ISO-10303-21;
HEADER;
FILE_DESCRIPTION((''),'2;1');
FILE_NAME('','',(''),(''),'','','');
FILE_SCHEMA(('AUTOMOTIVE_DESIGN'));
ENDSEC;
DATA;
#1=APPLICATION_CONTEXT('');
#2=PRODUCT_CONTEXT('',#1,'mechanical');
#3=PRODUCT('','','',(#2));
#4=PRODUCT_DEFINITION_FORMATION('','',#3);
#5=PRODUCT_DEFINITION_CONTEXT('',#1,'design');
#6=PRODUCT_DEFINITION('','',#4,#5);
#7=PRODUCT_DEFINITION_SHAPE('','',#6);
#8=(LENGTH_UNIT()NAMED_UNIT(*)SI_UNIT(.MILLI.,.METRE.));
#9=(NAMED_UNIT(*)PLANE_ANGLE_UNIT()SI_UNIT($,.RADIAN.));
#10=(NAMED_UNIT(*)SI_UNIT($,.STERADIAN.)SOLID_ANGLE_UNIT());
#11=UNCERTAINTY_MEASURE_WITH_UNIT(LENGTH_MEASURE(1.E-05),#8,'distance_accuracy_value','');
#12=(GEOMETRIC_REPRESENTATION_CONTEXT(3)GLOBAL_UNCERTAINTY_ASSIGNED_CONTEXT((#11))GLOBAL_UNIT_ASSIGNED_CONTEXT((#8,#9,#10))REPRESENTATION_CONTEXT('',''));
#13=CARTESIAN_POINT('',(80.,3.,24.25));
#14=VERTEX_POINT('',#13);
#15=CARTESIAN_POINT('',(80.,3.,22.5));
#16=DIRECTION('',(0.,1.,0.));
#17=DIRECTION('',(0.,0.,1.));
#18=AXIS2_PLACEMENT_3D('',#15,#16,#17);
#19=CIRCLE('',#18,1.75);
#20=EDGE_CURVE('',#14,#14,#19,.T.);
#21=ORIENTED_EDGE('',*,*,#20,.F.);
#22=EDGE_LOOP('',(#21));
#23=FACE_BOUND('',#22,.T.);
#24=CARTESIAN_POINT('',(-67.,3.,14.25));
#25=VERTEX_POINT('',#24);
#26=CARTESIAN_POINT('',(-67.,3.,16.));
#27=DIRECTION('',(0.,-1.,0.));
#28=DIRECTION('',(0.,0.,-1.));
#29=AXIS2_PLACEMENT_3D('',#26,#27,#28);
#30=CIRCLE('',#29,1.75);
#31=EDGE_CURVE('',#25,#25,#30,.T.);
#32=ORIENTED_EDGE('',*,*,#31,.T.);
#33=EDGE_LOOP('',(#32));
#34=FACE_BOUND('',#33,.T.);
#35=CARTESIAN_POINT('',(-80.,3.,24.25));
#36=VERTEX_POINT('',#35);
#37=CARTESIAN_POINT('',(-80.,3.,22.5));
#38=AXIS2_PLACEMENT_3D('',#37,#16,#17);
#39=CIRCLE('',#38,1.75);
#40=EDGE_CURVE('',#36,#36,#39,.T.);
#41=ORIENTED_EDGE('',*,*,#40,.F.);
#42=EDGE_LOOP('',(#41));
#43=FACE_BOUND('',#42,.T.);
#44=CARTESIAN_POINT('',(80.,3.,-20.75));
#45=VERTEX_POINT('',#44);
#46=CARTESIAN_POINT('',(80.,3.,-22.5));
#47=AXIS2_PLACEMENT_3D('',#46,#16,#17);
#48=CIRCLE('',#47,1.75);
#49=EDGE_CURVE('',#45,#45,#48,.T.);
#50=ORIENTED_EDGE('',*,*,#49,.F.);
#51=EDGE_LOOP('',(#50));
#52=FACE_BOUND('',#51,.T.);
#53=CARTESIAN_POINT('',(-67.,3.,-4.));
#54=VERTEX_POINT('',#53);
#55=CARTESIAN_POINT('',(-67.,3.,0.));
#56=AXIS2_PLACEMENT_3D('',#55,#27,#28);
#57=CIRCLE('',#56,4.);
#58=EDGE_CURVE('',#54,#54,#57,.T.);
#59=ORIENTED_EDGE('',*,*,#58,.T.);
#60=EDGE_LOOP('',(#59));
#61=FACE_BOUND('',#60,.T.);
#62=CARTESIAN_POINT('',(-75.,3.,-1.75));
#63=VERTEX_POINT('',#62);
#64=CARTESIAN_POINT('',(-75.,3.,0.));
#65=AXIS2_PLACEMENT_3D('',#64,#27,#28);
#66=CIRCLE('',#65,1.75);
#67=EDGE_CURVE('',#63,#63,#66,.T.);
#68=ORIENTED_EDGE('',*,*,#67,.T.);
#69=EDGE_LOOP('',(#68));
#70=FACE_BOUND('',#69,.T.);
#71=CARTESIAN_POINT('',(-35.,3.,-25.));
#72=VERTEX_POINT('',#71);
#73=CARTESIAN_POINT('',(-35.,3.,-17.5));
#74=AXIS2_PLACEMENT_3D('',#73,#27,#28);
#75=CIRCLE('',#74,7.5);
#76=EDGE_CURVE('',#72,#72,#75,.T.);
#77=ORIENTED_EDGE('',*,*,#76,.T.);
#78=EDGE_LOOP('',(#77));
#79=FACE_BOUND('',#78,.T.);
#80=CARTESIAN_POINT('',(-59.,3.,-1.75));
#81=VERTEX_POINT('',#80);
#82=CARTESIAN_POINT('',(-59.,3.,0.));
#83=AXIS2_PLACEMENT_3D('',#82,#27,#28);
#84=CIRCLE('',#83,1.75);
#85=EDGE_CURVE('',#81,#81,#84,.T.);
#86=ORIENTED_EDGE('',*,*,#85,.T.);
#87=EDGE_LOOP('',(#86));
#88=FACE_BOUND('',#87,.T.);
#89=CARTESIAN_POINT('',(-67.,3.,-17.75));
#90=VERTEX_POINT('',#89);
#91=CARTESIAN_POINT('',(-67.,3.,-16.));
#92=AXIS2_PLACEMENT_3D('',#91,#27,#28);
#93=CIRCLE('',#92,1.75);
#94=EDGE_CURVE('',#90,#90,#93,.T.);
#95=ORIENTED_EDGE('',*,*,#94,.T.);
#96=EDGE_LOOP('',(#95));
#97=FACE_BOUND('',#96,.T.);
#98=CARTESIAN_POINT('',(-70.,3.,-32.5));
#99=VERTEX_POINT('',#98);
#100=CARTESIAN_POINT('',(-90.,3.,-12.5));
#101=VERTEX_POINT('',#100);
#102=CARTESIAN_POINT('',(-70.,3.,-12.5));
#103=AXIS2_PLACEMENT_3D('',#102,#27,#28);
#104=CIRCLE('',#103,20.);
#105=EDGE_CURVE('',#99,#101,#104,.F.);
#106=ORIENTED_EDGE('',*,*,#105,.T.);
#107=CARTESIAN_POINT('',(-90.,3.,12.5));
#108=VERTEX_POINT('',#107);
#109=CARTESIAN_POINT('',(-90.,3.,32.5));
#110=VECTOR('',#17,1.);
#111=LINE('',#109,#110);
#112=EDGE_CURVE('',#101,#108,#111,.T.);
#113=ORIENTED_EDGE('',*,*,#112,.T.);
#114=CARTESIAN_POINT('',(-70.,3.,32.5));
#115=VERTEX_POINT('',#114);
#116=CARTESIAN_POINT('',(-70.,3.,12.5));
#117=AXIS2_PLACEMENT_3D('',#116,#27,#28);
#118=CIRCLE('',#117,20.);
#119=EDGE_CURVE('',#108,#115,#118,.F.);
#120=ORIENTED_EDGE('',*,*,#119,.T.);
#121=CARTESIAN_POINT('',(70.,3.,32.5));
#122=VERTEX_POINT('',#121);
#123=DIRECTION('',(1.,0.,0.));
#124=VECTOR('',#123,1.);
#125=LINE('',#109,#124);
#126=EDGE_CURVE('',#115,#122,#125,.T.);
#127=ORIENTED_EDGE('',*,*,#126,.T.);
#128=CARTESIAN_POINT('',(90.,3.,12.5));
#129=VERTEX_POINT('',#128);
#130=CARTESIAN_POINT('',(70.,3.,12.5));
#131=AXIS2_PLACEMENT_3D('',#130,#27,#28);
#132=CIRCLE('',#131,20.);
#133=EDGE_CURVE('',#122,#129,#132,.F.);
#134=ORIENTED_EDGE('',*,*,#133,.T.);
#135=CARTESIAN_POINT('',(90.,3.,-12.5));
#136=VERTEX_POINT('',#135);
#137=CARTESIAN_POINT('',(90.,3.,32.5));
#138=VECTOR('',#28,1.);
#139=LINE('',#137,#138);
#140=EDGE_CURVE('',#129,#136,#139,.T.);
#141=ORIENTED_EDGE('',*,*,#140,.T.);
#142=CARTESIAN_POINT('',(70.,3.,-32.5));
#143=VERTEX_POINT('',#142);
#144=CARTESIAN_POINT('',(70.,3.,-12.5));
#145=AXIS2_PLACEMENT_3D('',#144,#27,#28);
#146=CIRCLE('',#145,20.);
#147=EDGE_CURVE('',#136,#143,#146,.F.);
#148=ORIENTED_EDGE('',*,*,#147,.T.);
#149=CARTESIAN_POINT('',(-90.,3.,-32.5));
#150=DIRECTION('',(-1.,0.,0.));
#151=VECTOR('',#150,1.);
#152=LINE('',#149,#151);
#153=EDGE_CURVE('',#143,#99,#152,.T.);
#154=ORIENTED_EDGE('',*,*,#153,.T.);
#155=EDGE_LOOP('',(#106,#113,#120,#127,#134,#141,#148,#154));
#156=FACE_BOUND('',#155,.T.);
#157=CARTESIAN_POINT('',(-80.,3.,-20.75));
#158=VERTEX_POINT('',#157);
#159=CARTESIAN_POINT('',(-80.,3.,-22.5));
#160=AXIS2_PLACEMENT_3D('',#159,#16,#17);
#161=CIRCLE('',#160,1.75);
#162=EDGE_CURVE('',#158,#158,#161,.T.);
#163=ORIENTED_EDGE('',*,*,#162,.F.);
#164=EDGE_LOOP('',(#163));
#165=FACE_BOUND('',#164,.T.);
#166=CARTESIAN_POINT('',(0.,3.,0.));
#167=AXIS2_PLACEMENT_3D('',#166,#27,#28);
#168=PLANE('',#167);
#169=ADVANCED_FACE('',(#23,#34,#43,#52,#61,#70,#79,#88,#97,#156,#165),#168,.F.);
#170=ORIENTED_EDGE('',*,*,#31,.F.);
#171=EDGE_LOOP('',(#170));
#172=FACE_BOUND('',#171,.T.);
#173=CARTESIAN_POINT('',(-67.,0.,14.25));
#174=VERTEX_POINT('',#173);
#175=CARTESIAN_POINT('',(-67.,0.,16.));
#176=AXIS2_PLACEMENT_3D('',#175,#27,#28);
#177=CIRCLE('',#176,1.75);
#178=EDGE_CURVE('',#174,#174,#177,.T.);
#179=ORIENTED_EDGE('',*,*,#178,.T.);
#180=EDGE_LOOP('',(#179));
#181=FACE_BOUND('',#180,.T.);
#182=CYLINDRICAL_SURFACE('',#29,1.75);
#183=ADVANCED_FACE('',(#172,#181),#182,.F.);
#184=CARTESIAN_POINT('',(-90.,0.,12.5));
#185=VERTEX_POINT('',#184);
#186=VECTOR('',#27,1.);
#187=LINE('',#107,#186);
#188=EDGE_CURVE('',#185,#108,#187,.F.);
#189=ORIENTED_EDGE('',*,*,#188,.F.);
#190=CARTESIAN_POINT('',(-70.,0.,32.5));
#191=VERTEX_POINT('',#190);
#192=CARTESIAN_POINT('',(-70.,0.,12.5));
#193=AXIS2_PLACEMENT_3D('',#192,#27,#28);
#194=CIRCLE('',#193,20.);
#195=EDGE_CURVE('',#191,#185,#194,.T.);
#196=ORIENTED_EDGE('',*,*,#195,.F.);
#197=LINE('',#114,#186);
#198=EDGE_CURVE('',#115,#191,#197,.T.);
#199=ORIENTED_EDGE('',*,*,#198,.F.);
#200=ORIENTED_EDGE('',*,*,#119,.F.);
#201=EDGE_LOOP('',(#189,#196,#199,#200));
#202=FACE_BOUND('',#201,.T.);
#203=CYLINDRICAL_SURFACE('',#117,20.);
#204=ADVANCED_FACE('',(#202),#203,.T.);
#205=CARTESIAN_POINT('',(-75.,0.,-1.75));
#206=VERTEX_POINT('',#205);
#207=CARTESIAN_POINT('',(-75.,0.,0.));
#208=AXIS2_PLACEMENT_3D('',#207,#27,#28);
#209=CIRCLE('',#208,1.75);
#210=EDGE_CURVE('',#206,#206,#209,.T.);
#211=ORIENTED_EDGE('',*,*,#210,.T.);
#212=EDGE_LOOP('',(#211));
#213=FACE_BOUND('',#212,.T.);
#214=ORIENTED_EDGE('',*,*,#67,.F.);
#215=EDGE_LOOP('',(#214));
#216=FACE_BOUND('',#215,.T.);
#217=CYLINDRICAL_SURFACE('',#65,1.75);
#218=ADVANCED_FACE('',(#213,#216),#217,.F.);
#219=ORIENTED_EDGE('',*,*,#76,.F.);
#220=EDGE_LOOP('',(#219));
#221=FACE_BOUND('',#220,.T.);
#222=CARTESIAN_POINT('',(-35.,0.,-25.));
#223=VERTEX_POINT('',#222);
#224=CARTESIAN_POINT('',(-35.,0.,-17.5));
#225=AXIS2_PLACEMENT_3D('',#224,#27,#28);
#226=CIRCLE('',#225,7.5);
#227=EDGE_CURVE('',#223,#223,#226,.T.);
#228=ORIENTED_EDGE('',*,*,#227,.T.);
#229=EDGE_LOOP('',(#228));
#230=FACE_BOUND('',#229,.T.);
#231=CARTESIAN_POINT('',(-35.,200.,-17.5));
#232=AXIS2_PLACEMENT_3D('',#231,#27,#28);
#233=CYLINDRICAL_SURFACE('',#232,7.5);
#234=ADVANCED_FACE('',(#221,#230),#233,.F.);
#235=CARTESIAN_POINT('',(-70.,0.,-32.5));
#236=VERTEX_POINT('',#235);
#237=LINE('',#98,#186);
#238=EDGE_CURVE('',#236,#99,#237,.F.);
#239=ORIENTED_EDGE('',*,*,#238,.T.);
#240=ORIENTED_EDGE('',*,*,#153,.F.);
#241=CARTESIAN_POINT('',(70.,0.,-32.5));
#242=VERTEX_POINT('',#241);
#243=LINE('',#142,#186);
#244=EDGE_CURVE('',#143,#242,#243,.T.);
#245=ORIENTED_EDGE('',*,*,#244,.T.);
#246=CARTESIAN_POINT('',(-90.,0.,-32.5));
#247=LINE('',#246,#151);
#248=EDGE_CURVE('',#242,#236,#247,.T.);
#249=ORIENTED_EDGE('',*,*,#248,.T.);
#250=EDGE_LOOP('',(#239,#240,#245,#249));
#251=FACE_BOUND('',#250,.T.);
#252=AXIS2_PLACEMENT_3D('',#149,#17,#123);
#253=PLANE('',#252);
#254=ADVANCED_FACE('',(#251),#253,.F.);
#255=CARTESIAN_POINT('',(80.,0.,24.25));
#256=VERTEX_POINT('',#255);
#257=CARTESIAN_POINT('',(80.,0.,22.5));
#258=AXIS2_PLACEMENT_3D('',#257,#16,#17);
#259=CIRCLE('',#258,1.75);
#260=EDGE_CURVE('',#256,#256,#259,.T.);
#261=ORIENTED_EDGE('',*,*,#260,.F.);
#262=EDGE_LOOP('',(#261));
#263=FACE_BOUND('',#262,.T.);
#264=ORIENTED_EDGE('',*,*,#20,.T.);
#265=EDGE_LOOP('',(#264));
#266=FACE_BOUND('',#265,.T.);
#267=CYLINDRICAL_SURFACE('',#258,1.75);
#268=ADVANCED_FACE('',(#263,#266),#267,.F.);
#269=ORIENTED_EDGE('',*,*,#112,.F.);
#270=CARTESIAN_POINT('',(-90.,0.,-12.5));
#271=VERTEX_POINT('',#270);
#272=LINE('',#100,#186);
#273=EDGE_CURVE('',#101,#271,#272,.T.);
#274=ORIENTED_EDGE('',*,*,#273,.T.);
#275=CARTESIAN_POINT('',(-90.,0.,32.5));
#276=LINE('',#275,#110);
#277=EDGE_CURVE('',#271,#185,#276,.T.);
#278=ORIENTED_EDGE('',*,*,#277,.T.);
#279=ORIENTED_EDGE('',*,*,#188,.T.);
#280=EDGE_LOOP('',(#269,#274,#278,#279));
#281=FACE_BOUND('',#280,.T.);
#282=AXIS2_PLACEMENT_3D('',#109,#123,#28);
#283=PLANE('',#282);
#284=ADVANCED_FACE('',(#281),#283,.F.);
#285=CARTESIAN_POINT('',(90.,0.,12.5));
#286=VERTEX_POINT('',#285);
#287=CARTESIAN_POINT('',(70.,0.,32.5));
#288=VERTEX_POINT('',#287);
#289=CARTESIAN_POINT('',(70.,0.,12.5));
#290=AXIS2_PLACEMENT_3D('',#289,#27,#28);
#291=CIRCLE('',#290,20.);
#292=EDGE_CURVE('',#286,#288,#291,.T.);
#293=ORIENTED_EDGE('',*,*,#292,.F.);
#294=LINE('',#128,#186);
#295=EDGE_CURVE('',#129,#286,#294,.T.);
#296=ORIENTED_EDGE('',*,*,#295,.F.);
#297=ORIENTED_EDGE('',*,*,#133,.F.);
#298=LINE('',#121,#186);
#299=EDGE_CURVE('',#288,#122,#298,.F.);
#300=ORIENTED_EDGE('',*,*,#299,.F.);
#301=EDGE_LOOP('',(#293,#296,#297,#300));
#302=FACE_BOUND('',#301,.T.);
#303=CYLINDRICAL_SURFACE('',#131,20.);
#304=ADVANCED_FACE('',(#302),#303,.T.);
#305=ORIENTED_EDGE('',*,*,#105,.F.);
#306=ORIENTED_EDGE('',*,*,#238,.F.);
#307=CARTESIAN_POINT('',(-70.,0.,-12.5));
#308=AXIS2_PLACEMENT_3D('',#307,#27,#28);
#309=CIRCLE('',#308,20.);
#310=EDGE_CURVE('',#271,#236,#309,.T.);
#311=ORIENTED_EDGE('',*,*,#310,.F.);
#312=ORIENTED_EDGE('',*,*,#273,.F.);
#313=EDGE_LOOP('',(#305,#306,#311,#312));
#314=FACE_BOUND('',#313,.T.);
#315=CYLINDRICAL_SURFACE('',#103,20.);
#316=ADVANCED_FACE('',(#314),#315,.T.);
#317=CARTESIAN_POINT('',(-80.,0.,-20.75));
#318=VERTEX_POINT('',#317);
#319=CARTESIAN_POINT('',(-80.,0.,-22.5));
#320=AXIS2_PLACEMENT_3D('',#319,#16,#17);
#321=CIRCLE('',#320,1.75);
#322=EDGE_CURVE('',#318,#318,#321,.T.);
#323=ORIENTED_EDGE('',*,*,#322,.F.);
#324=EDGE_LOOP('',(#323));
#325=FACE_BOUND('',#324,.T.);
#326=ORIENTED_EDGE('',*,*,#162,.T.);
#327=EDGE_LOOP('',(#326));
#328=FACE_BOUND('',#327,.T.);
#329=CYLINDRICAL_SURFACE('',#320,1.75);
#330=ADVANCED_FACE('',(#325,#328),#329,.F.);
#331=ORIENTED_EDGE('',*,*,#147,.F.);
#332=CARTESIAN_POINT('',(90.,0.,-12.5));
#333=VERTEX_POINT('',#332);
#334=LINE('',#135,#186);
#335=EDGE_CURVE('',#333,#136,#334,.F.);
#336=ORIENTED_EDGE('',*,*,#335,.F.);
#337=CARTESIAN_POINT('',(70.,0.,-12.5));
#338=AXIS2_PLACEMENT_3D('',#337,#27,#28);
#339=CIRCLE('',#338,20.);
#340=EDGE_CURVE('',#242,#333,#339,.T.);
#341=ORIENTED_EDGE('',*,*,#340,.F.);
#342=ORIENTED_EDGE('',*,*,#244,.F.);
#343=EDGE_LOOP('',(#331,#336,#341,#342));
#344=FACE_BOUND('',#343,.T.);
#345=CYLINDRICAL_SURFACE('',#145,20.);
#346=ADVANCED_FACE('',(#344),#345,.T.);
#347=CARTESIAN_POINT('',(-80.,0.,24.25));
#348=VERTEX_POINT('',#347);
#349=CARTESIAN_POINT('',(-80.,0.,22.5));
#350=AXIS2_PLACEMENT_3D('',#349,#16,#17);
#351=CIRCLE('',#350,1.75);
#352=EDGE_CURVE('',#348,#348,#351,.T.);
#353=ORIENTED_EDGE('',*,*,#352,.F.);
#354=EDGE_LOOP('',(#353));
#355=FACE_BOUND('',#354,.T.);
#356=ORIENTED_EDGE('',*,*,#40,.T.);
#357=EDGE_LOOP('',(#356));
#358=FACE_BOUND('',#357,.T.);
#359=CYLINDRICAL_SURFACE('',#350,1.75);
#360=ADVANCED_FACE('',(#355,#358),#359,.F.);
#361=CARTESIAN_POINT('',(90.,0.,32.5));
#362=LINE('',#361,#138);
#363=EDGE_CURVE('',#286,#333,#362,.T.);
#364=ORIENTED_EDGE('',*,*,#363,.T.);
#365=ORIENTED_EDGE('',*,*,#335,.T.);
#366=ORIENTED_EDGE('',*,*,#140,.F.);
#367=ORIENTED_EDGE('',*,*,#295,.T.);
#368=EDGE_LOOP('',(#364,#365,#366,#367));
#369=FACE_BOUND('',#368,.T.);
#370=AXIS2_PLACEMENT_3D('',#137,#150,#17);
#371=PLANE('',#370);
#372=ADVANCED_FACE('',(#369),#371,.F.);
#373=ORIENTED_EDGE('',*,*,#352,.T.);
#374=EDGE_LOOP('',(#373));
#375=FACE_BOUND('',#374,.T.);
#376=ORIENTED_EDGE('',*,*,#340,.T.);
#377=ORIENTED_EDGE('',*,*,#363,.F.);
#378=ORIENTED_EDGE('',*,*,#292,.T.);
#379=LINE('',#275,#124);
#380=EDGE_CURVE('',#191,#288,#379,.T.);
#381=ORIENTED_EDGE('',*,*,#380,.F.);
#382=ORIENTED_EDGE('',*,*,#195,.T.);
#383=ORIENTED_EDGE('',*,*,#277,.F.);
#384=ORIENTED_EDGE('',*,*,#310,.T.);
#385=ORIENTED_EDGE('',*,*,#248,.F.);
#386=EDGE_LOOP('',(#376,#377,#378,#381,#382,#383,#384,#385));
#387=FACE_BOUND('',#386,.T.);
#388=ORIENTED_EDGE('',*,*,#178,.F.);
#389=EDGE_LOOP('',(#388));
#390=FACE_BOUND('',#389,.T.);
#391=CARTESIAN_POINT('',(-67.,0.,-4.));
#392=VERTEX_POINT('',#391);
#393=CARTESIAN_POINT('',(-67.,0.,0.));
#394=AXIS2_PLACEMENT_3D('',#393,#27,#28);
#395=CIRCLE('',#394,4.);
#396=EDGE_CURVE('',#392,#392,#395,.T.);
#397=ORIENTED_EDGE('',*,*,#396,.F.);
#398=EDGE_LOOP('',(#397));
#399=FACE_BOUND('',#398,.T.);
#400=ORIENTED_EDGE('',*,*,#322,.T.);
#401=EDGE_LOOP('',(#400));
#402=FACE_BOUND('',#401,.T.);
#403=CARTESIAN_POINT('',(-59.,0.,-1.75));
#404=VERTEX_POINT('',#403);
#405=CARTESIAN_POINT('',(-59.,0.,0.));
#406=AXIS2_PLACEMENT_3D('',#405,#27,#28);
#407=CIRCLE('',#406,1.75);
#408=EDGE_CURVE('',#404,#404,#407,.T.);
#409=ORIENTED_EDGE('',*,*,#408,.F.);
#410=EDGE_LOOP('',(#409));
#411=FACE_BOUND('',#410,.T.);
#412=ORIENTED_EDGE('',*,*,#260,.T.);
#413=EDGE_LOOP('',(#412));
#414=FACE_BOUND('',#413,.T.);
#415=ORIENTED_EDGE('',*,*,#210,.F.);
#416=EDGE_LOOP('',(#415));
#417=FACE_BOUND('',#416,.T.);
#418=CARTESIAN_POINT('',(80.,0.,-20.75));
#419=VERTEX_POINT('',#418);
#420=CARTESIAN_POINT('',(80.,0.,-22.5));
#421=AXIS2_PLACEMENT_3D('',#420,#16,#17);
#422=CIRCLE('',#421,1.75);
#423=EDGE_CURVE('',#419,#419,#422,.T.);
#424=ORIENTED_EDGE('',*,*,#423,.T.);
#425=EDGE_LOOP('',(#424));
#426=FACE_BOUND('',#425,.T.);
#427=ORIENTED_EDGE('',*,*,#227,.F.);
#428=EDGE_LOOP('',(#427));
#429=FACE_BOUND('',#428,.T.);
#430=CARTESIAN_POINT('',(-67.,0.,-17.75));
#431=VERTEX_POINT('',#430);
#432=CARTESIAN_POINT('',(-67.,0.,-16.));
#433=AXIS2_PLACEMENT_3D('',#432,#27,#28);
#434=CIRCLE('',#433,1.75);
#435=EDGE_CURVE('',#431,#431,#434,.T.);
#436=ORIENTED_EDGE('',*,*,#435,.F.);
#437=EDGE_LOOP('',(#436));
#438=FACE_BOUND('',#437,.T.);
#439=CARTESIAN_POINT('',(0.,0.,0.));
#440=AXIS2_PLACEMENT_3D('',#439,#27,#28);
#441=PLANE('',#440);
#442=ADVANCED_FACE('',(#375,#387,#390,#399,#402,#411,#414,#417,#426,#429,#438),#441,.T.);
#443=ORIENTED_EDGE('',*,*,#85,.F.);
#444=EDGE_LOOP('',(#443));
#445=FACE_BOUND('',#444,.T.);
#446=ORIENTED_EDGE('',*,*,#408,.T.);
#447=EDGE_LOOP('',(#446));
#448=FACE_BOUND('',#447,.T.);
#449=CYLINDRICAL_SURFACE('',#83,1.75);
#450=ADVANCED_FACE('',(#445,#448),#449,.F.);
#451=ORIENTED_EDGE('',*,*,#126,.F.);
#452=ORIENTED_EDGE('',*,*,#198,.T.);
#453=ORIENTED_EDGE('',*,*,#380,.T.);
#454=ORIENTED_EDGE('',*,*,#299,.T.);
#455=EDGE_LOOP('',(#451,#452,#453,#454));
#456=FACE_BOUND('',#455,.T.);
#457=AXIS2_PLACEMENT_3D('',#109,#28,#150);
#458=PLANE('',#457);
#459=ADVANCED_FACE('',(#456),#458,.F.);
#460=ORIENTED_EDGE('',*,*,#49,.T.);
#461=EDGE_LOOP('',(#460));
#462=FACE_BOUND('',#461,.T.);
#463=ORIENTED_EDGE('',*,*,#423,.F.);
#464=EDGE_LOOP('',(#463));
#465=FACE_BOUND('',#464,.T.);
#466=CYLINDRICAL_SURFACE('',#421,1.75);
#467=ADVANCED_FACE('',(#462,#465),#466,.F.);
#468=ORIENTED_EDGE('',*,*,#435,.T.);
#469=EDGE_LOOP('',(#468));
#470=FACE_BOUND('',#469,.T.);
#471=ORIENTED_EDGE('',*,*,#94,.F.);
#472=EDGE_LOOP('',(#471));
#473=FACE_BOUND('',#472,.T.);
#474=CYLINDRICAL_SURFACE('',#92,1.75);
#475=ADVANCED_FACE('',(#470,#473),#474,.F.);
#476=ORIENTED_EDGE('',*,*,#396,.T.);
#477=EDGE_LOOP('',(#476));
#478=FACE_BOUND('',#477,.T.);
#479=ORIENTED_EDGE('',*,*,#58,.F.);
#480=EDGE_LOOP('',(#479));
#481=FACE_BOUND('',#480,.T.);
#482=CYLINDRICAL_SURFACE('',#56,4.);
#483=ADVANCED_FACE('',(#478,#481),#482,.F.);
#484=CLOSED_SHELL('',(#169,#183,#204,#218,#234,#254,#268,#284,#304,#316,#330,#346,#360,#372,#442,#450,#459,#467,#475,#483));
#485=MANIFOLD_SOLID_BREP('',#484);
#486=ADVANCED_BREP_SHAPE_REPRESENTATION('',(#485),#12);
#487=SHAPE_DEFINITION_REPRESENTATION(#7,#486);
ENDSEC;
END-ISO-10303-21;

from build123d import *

# Parameters (mm, degrees)
CROQUIS1_W              = 180
CROQUIS1_H              = 65
SALIENTE_EXTRUIR1_DEPTH = 3
REDONDEO1_R             = 20
CROQUIS2_R              = 1.75
CORTAR_EXTRUIR1_DEPTH   = 3
CROQUIS3_R              = 1.75
CROQUIS3_R_2            = 4
CORTAR_EXTRUIR2_DEPTH   = 3
CROQUIS4_R              = 7.5
CORTAR_EXTRUIR3_DEPTH   = 200


with BuildPart() as part:
    # Croquis1 → Saliente-Extruir1 (new body)
    with BuildSketch(Plane(origin=(0, 0, 0), x_dir=(1, 0, 0), z_dir=(0, 1, 0))):
        Rectangle(CROQUIS1_W, CROQUIS1_H)
    extrude(amount=SALIENTE_EXTRUIR1_DEPTH)

    # Redondeo1
    redondeo1_edges = [part.edges().sort_by_distance(p)[0] for p in [
        (90, 1.5, 32.5),
        (-90, 1.5, 32.5),
        (-90, 1.5, -32.5),
        (90, 1.5, -32.5),
    ]]
    fillet(redondeo1_edges, radius=REDONDEO1_R)

    # Croquis2 → Cortar-Extruir1 (cut)
    with BuildSketch(Plane(origin=(0, 3, 0), x_dir=(1, 0, 0), z_dir=(0, 1, 0))):
        with Locations(Location((-80, 22.5, 0), (0, 0, 270))):
            Circle(CROQUIS2_R)
        with Locations(Location((-80, -22.5, 0), (0, 0, 270))):
            Circle(CROQUIS2_R)
        with Locations(Location((80, -22.5, 0), (0, 0, 270))):
            Circle(CROQUIS2_R)
        with Locations(Location((80, 22.5, 0), (0, 0, 270))):
            Circle(CROQUIS2_R)
    extrude(amount=-CORTAR_EXTRUIR1_DEPTH, mode=Mode.SUBTRACT)

    # Croquis3 → Cortar-Extruir2 (cut)
    with BuildSketch(Plane.XZ):
        with Locations(Location((-67, 16, 0), (0, 0, 270))):
            Circle(CROQUIS3_R)
        with Locations(Location((-59, 0, 0), (0, 0, 270))):
            Circle(CROQUIS3_R)
        with Locations(Location((-67, -16, 0), (0, 0, 270))):
            Circle(CROQUIS3_R)
        with Locations(Location((-67, 0, 0), (0, 0, 270))):
            Circle(CROQUIS3_R_2)
        with Locations(Location((-75, 0, 0), (0, 0, 270))):
            Circle(CROQUIS3_R)
    extrude(amount=-CORTAR_EXTRUIR2_DEPTH, mode=Mode.SUBTRACT)

    # Croquis4 → Cortar-Extruir3 (cut)
    with BuildSketch(Plane.XZ):
        with Locations(Location((-35, -17.5, 0), (0, 0, 270))):
            Circle(CROQUIS4_R)
    extrude(amount=-CORTAR_EXTRUIR3_DEPTH, mode=Mode.SUBTRACT)


solid = part.part
